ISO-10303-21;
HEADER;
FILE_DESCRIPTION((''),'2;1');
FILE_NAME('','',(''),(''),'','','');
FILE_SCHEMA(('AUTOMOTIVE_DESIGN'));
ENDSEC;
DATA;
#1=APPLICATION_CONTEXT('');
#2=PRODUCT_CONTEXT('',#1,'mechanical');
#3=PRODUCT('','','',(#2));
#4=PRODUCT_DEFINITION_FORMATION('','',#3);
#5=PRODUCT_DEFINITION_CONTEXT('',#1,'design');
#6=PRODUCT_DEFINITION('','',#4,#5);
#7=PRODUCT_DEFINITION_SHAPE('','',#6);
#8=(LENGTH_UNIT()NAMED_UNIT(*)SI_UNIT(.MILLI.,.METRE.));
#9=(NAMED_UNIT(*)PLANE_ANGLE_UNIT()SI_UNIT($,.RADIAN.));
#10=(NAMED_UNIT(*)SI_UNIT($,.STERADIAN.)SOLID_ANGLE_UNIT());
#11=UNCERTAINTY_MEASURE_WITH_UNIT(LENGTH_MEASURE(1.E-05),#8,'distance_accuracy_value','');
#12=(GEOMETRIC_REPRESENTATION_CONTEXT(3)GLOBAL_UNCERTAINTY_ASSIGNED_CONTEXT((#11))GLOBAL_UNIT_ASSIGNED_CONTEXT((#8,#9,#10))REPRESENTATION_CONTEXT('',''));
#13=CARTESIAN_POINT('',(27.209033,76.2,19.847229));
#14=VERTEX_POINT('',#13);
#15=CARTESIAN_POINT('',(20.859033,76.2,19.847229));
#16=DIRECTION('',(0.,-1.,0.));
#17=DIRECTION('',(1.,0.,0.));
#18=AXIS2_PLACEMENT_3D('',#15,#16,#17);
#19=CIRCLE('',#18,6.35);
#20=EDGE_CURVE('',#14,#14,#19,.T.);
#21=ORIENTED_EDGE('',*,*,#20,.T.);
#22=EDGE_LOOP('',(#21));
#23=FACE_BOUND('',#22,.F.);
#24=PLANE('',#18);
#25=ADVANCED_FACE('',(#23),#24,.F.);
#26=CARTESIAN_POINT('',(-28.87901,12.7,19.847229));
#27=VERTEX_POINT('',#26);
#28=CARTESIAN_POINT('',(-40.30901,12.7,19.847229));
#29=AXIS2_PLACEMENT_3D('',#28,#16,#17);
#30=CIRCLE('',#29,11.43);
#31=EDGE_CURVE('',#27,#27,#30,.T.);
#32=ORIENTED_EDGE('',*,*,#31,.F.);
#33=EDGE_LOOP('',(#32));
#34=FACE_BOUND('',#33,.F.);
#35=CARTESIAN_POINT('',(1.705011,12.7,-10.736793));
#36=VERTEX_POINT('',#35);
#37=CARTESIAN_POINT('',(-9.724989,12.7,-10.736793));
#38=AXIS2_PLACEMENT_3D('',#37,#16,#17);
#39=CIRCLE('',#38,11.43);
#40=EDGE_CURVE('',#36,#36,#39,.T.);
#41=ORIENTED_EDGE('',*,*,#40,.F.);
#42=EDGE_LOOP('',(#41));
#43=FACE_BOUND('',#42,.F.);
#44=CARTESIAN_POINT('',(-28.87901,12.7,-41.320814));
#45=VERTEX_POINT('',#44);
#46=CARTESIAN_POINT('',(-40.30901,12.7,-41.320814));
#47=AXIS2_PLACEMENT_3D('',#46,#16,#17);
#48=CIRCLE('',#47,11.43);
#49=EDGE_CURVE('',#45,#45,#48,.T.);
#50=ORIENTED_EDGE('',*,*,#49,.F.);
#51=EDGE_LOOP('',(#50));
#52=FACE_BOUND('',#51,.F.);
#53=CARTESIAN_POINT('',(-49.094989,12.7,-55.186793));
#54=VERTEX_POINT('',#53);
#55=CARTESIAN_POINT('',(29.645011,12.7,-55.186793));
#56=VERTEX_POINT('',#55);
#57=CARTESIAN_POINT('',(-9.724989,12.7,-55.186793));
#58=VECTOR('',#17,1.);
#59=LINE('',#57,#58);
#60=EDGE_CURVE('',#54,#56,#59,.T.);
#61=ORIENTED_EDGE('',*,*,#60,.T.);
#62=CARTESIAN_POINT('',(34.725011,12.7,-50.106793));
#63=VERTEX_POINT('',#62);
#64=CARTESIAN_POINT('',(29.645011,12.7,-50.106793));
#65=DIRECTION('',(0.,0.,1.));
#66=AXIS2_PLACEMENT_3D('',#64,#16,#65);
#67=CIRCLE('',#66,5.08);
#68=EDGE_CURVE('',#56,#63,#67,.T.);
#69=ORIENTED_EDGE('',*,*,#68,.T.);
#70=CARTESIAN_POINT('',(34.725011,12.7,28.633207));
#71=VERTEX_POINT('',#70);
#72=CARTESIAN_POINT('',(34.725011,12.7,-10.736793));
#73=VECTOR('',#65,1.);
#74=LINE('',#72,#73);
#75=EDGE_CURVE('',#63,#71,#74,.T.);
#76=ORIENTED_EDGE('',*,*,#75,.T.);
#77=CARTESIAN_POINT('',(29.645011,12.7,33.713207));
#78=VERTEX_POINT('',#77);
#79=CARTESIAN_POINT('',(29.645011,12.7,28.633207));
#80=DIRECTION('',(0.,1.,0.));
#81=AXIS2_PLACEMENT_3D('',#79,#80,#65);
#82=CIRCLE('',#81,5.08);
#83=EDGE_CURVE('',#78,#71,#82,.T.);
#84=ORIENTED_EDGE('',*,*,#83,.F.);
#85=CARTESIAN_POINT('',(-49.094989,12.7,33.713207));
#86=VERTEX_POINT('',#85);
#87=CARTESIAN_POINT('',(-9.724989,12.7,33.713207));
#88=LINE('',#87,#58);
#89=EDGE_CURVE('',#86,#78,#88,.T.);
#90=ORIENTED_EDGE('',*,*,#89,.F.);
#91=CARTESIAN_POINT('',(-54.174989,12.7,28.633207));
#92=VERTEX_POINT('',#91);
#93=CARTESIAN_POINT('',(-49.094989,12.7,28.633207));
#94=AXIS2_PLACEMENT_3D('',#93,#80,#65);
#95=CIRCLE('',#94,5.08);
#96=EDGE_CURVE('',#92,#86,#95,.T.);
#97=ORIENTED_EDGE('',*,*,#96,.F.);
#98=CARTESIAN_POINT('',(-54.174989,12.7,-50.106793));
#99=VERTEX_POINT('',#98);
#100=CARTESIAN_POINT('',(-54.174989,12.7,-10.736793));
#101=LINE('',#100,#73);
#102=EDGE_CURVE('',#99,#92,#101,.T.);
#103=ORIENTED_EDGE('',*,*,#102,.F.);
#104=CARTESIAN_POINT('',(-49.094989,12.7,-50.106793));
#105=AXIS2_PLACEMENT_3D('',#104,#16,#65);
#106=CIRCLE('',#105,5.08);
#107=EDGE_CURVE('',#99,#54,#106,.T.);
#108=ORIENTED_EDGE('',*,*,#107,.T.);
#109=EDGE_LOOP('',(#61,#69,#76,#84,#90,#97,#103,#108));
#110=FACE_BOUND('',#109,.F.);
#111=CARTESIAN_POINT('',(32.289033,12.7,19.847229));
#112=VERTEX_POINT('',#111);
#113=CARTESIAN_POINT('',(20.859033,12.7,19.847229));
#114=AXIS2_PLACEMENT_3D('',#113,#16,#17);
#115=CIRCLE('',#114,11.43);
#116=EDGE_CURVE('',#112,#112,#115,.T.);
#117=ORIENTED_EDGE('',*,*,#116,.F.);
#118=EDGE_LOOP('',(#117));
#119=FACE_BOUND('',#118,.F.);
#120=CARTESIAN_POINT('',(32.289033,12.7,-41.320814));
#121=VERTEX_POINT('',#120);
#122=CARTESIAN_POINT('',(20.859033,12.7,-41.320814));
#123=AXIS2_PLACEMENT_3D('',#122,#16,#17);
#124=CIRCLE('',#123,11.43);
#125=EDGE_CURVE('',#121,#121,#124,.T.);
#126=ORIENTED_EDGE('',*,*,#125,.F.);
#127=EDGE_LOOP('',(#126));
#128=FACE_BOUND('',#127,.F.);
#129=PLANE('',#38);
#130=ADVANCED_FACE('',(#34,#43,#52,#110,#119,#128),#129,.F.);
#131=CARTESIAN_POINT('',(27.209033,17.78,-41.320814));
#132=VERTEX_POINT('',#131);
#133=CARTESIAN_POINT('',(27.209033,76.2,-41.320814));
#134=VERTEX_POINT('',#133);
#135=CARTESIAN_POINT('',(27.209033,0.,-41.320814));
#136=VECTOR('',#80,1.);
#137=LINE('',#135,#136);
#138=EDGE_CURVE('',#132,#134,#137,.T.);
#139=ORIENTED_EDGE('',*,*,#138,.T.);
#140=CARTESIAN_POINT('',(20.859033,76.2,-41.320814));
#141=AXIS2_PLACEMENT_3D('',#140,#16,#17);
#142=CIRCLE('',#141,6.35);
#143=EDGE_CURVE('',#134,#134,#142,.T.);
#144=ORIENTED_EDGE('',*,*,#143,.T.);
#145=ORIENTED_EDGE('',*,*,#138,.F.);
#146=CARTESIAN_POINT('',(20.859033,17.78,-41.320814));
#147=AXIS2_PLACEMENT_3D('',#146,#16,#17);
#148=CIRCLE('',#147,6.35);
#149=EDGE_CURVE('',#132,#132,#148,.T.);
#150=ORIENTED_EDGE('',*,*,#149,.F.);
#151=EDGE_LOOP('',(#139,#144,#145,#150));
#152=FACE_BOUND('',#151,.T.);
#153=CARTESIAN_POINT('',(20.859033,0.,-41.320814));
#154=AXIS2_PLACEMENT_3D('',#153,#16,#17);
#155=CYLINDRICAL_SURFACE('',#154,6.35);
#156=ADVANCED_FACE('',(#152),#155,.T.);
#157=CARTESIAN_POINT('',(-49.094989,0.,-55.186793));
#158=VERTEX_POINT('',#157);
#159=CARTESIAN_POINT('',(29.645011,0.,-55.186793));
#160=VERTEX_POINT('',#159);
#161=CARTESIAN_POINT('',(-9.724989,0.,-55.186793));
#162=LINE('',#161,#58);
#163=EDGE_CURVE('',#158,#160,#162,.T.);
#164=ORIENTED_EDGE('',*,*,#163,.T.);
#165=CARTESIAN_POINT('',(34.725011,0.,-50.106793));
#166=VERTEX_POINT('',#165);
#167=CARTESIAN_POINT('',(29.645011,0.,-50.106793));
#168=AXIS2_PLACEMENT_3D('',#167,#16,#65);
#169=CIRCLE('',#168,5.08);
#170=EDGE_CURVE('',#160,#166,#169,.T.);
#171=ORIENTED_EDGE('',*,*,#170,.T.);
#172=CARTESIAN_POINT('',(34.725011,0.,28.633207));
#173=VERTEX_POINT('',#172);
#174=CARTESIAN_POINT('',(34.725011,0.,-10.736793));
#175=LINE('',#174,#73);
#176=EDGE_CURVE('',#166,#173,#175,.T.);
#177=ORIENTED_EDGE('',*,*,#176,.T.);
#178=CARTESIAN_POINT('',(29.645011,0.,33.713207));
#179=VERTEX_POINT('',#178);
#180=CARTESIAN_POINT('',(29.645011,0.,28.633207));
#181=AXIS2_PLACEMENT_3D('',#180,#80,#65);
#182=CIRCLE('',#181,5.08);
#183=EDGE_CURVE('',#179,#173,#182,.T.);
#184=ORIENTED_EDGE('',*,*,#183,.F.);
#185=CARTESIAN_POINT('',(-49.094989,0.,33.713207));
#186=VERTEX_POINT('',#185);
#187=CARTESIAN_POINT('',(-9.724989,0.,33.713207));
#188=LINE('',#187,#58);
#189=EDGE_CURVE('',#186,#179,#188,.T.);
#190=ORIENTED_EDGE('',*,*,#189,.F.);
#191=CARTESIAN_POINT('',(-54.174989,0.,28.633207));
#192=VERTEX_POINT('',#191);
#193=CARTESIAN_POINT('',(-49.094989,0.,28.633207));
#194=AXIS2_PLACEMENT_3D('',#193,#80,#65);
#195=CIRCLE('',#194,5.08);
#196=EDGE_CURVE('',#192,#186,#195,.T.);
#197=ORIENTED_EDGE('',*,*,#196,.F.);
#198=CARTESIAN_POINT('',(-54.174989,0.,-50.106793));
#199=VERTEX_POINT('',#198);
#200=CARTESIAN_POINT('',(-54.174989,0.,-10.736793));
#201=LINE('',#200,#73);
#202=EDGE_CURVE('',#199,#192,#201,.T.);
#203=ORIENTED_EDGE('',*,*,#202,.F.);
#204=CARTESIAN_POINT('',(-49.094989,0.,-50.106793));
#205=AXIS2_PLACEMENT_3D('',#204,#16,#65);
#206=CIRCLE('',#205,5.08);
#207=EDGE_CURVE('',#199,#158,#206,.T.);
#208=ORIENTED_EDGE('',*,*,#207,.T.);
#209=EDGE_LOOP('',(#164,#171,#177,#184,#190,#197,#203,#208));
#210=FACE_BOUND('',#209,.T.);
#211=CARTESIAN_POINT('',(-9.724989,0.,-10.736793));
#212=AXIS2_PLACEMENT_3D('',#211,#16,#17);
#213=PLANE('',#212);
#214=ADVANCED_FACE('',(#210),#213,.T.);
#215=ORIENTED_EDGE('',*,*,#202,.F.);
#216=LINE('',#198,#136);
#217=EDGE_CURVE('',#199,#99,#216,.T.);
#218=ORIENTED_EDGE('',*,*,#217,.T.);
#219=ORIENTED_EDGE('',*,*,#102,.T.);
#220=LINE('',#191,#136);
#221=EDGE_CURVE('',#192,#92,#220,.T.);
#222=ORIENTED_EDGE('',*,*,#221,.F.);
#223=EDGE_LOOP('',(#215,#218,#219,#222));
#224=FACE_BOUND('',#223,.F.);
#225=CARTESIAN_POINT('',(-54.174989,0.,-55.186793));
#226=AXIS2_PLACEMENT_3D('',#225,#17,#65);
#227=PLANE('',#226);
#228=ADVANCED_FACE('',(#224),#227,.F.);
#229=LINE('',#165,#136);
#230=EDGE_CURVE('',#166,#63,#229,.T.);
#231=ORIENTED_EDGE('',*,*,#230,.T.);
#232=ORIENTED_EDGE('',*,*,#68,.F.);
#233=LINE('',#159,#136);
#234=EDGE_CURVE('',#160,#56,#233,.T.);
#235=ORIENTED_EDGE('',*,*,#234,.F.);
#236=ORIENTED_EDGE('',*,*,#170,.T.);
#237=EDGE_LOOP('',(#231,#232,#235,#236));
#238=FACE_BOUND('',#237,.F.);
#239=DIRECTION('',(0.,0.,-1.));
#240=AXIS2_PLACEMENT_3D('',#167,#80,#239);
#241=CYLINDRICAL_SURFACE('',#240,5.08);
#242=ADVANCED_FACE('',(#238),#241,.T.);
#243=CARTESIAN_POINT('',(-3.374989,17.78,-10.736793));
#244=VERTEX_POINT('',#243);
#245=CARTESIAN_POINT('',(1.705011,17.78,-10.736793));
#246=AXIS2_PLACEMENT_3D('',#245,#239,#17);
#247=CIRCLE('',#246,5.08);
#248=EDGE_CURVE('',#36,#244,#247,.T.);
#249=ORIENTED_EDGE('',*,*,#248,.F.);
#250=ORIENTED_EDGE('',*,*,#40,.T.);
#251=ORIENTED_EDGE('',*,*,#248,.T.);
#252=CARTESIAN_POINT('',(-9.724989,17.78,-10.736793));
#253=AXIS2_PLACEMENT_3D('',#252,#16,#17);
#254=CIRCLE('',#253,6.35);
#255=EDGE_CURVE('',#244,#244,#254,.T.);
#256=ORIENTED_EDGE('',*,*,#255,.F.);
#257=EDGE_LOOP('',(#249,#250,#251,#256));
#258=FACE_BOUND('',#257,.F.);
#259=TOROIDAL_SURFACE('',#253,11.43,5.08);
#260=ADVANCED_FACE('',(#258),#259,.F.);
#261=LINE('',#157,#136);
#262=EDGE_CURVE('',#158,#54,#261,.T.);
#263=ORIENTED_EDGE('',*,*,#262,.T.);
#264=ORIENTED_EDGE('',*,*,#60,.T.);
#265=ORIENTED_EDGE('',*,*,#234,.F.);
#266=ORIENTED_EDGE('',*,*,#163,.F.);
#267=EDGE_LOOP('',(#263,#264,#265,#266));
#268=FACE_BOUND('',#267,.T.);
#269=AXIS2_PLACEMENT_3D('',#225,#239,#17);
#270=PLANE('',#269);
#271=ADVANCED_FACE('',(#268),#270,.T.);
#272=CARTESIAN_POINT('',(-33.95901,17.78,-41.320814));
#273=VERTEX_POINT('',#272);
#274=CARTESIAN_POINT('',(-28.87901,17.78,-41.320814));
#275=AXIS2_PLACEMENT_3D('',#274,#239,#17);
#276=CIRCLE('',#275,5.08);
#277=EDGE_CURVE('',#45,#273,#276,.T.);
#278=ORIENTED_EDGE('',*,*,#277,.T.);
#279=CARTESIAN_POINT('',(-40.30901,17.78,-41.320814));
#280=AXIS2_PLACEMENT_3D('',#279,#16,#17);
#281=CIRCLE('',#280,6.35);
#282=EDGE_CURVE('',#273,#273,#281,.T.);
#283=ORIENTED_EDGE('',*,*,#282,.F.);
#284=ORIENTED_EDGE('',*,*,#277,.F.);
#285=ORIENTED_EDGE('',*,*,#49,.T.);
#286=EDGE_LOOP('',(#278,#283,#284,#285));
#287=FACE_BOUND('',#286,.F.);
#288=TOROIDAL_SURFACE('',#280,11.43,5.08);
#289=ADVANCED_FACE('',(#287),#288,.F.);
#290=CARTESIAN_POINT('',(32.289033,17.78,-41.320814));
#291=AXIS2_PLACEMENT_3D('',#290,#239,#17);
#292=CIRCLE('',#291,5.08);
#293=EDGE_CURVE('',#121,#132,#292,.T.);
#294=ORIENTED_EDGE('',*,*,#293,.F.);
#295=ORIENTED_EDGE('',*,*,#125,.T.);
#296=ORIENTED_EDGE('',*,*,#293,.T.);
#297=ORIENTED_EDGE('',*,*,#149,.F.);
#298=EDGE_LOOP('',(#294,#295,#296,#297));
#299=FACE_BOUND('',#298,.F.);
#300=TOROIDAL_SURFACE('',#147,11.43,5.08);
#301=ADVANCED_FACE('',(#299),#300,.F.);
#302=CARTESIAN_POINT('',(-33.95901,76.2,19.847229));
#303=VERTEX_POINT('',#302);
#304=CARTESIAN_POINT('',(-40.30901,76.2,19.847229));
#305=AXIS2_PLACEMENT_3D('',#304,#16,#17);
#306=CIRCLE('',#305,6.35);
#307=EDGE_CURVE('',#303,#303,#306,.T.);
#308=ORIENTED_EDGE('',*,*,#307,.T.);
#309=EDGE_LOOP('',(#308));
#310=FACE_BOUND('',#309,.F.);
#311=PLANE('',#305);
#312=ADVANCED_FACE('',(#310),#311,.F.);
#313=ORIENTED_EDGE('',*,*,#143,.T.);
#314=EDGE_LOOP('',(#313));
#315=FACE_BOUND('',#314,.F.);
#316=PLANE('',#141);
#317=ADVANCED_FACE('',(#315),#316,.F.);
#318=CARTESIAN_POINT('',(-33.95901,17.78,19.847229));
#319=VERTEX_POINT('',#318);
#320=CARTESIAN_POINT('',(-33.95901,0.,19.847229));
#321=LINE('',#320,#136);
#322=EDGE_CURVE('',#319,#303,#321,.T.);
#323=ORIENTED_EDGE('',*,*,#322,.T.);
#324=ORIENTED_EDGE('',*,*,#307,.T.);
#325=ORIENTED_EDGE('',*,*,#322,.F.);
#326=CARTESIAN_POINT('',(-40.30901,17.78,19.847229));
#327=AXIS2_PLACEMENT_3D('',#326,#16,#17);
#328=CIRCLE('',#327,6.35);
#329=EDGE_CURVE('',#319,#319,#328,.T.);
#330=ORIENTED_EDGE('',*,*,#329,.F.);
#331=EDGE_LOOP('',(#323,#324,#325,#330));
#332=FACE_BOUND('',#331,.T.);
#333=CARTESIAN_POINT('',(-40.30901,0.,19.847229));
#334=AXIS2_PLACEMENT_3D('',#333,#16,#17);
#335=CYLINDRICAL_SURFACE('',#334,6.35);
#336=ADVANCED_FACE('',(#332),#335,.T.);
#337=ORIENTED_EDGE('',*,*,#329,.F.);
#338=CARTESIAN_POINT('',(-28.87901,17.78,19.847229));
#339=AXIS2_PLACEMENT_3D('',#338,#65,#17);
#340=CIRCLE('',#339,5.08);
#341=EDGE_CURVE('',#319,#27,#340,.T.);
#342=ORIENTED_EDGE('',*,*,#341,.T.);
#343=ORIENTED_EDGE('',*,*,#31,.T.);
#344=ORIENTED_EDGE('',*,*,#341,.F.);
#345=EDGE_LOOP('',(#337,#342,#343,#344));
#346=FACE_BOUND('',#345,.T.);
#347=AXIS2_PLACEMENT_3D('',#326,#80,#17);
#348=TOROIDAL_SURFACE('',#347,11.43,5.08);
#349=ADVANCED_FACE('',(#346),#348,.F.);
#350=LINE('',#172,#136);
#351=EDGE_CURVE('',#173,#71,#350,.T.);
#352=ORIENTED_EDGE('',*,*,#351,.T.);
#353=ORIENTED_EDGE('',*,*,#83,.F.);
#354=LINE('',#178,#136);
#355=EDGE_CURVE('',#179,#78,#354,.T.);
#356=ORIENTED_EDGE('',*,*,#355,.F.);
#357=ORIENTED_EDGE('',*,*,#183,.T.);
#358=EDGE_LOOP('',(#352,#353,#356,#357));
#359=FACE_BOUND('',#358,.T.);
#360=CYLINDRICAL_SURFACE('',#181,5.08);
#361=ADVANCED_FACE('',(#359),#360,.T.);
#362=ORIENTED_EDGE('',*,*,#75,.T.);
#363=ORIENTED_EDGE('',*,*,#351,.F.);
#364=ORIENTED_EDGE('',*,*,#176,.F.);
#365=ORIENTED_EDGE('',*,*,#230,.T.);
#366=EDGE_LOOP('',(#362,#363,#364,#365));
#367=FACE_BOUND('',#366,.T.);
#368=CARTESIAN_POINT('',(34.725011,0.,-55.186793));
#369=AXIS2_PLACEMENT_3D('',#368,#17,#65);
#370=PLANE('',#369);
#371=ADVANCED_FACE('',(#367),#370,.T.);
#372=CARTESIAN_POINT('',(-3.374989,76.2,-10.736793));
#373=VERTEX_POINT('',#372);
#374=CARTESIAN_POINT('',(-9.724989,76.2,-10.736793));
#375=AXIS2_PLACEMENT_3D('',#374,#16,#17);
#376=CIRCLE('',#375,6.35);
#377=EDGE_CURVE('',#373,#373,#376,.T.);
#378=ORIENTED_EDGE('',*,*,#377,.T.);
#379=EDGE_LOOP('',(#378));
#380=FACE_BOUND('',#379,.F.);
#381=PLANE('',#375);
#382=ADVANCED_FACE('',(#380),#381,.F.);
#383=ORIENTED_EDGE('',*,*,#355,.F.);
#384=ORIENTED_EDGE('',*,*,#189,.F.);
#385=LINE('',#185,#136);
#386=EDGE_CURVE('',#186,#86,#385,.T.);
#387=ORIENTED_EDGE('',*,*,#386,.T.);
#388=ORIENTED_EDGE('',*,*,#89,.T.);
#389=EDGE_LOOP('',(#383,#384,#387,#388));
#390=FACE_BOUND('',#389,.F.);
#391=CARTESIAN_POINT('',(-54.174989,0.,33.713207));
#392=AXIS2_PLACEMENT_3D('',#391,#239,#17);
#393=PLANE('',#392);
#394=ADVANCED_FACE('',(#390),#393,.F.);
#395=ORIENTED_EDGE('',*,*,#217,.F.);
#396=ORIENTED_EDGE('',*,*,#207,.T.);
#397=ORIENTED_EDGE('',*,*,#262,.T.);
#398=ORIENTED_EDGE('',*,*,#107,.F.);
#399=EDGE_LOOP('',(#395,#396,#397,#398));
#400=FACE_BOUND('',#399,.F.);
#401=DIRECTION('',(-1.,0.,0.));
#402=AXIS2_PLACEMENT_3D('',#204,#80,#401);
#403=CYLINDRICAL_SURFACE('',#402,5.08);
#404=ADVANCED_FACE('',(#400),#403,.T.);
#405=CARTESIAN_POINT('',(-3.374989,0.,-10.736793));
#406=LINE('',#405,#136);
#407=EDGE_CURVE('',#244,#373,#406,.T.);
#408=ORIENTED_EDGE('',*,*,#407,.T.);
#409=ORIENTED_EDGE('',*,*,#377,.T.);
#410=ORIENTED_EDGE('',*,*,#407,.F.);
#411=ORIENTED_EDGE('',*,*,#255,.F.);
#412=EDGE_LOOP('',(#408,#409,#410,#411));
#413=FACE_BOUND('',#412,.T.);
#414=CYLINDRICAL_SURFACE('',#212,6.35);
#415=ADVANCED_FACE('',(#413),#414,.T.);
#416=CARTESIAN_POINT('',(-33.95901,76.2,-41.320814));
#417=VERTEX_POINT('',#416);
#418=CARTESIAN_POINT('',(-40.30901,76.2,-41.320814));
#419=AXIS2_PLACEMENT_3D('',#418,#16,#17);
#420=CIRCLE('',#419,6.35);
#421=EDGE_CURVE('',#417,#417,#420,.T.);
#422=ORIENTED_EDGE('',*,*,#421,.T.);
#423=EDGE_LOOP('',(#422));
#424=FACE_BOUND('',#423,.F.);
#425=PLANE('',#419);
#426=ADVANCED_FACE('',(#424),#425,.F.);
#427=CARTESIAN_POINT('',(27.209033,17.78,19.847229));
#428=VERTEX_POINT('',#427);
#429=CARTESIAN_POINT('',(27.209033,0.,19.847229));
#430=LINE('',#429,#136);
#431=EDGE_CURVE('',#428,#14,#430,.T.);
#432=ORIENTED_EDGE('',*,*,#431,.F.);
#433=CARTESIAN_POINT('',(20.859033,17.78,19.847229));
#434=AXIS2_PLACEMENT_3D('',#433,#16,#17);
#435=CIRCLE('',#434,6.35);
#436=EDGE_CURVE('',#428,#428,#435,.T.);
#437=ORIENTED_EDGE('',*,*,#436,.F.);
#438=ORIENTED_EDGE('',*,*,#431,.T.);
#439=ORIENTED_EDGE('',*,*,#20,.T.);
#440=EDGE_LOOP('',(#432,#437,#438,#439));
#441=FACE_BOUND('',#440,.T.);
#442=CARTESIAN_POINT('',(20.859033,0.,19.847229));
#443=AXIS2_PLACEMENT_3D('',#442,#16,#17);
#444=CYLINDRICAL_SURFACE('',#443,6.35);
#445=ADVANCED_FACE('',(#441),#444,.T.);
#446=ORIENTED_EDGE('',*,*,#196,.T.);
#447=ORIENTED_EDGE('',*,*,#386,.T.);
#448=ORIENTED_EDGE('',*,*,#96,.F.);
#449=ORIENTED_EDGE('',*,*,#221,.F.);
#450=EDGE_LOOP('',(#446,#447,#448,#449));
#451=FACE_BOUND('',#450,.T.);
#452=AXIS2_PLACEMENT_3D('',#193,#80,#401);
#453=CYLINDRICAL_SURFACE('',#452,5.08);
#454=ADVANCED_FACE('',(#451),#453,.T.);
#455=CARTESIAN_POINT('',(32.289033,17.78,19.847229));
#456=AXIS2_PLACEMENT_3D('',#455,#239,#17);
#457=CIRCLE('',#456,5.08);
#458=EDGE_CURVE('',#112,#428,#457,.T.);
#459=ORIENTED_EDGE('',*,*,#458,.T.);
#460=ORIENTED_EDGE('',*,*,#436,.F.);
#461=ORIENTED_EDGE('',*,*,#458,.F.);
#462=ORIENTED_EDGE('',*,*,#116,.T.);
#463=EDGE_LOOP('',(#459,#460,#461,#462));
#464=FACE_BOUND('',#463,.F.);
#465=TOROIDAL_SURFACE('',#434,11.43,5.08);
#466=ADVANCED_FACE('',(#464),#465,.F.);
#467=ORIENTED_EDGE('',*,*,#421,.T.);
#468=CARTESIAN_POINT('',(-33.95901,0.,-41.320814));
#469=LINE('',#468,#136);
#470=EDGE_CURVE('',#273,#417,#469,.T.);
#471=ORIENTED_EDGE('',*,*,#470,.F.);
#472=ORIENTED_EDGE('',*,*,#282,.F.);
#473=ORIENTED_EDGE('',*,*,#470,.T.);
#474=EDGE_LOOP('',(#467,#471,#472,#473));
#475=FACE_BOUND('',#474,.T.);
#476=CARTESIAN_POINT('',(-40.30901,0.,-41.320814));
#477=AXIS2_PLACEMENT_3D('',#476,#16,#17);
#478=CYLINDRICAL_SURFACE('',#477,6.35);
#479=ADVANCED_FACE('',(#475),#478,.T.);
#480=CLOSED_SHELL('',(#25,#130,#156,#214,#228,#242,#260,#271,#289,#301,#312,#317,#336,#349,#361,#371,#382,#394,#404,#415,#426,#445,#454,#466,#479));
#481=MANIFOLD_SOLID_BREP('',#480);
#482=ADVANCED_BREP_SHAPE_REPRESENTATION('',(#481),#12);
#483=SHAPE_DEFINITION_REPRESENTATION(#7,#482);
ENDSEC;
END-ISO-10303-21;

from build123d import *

# Parameters (mm, degrees)
F0_W     = 88.9
F0_H     = 88.9
F0_R     = 6.35
F1_DEPTH = 12.7
F2_DEPTH = 76.2
F3_R     = 5.08


with BuildPart() as f1:
    # F0 (on Front) → F1 (new body)
    with BuildSketch(Plane.XZ):
        with Locations((-9.724989, -10.736793)):
            Rectangle(F0_W, F0_H)
        with Locations((-40.30901, -41.320814)):
            Circle(F0_R, mode=Mode.SUBTRACT)
        with Locations((20.859033, -41.320814)):
            Circle(F0_R, mode=Mode.SUBTRACT)
        with Locations((-40.30901, 19.847229)):
            Circle(F0_R, mode=Mode.SUBTRACT)
        with Locations((-9.724989, -10.736793)):
            Circle(F0_R, mode=Mode.SUBTRACT)
        with Locations((20.859033, 19.847229)):
            Circle(F0_R, mode=Mode.SUBTRACT)
    extrude(amount=-F1_DEPTH)

    # F0 (on Front) → F2 (join)
    with BuildSketch(Plane.XZ):
        with Locations((-40.30901, 19.847229)):
            Circle(F0_R)
        with Locations((20.859033, 19.847229)):
            Circle(F0_R)
        with Locations((-9.724989, -10.736793)):
            Circle(F0_R)
        with Locations((20.859033, -41.320814)):
            Circle(F0_R)
        with Locations((-40.30901, -41.320814)):
            Circle(F0_R)
    extrude(amount=-F2_DEPTH)

    # F3
    f3_edges = [f1.edges().sort_by_distance(p)[0] for p in [
        (34.725011, 6.35, 33.713207),
        (-54.174989, 6.35, 33.713207),
        (-54.174989, 6.35, -55.186793),
        (34.725011, 6.35, -55.186793),
        (14.509033, 12.7, 19.847229),
        (-46.65901, 12.7, 19.847229),
        (-16.074989, 12.7, -10.736793),
        (-46.65901, 12.7, -41.320814),
        (14.509033, 12.7, -41.320814),
    ]]
    fillet(f3_edges, radius=F3_R)


solid = f1.part
